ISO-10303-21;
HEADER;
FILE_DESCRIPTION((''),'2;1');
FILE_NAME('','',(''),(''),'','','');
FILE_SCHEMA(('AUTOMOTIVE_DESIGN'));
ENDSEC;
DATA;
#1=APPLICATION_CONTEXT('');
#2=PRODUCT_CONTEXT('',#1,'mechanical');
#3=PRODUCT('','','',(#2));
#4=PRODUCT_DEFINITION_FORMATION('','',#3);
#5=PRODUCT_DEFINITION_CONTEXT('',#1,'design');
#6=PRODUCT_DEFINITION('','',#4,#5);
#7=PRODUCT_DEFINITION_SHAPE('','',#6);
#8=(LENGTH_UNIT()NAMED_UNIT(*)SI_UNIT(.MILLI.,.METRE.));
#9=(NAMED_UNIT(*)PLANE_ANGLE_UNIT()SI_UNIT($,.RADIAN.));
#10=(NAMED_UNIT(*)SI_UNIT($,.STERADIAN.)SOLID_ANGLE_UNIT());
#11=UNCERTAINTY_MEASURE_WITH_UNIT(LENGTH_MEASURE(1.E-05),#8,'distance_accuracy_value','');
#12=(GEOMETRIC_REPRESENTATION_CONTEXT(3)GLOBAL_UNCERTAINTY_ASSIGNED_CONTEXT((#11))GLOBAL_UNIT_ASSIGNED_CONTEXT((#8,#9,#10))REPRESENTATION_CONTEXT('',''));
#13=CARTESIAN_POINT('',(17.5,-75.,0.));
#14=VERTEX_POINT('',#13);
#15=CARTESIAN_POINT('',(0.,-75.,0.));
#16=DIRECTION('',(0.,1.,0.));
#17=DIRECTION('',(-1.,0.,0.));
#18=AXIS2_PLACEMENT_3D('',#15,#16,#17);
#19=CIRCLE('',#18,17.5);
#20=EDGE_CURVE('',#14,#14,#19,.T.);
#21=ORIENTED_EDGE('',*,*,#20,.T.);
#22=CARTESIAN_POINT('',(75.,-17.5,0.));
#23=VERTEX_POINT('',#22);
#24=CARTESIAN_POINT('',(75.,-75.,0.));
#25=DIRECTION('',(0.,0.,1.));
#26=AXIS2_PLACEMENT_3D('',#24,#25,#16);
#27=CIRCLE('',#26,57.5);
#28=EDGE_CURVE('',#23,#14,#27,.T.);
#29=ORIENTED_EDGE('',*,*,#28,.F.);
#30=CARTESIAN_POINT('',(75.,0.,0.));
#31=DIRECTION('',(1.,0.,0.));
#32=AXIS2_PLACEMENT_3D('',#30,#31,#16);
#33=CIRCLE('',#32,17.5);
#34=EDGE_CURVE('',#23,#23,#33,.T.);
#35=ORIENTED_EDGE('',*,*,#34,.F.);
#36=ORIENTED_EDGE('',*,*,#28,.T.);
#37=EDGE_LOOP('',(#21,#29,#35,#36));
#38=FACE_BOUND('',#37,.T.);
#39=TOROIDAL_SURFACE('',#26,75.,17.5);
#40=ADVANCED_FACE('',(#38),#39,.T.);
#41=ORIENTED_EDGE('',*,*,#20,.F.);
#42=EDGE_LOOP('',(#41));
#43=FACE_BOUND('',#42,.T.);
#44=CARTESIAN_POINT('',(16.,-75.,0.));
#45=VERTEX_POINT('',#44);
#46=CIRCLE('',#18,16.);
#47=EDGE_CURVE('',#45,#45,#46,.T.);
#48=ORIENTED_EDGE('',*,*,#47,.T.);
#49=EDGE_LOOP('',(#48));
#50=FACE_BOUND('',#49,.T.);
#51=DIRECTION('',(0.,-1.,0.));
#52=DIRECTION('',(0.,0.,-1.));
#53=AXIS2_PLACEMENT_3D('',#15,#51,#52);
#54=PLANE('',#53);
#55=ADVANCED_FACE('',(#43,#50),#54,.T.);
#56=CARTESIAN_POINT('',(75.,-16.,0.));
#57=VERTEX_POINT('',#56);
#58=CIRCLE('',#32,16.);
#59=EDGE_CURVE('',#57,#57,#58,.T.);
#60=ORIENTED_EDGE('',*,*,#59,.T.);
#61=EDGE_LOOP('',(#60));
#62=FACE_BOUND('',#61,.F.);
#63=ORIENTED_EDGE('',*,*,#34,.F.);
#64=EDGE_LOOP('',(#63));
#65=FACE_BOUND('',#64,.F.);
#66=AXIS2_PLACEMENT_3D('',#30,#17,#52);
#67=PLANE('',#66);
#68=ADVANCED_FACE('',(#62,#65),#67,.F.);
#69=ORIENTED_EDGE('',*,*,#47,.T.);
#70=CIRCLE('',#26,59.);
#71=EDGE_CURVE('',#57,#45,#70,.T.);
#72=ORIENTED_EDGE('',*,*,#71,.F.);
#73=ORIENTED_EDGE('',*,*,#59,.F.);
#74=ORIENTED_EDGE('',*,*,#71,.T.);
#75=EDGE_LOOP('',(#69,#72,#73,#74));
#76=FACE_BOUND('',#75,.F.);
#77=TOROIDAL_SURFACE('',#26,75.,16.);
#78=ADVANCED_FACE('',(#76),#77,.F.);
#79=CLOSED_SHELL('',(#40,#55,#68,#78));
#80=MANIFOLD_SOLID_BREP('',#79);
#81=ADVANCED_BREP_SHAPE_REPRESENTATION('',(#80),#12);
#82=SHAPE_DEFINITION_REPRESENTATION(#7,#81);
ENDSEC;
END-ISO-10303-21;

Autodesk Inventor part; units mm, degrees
ref_plane "YZ Plane" through (0, 0, 0) normal (1, 0, 0) x (0, 1, 0)
ref_plane "XZ Plane" through (0, 0, 0) normal (0, 1, 0) x (-1, 0, 0)
sketch "Szkic6" plane through (0, 0, 0) normal (0, 0, 1) x (1, 0, 0)
  line L0 (-29.6067, 0) -> (35.2678, 0) construction
  line L1 (0, 42.3419) -> (0, -58.3726) construction
  arc A0 (75, 0) -> (0, -75) centre (75, -75) ccw
  line L2 (0, -75) -> (75, -75) construction
  line L3 (75, -75) -> (75, -9.4669) construction
  line L4 (75, 0) -> (75, 0)
  line L5 (0, -75) -> (0, -75)
  point P0 (0, 0)
  dimension "d24" = 75
  dimension "d31" = 90
  dimension "d36" = 0
  dimension "d37" = 0
ref_plane "Płaszczyzna konstrukcyjna2" through (0, -75, 0) normal (0, -1, 0) x (1, 0, 0)
sketch "Szkic8" plane through (0, -75, 0) normal (0, -1, 0) x (1, 0, 0)
  circle A0 centre (0, 0) radius 17.5
  circle A1 centre (0, 0) radius 16
  dimension "d32" = 35
  dimension "d33" = 1.5
sweep "Przeciągnięcie2" add profiles "Szkic8" path "Szkic6"
equation "\"d32\" = OD"
equation "\"d33\" = THK"
equation "\"d24\" = R"
equation "\"d31\" = KAT"
equation "\"SzerokośćGięciaPodcięcia\" = Grubość"
equation "\"RozmiarPodcięciaNarożnika\" = 4 * Grubość"
equation "\"PromieńPrzejścia\" = PromieńGięcia"
equation "\"Rozmiar_promienia_Jacobiego\" = PromieńGięcia"
equation "\"Wielk_odstępu\" = Grubość"
equation "\"d2\" = PromieńGięcia"
equation "\"d23\" = PromieńGięcia"
equation "\"R\" = 75"
equation "\"OD\" = 35"
equation "\"THK\" = 1.5"
equation "\"KAT\" = 90deg"
equation "\"PROSTKA\" = 0"
equation "\"Grubość\" = 1.5"
equation "\"PromieńGięcia\" = 3"
properties part number "Kolano 90° ø35x1,5 R75" material "304L"
